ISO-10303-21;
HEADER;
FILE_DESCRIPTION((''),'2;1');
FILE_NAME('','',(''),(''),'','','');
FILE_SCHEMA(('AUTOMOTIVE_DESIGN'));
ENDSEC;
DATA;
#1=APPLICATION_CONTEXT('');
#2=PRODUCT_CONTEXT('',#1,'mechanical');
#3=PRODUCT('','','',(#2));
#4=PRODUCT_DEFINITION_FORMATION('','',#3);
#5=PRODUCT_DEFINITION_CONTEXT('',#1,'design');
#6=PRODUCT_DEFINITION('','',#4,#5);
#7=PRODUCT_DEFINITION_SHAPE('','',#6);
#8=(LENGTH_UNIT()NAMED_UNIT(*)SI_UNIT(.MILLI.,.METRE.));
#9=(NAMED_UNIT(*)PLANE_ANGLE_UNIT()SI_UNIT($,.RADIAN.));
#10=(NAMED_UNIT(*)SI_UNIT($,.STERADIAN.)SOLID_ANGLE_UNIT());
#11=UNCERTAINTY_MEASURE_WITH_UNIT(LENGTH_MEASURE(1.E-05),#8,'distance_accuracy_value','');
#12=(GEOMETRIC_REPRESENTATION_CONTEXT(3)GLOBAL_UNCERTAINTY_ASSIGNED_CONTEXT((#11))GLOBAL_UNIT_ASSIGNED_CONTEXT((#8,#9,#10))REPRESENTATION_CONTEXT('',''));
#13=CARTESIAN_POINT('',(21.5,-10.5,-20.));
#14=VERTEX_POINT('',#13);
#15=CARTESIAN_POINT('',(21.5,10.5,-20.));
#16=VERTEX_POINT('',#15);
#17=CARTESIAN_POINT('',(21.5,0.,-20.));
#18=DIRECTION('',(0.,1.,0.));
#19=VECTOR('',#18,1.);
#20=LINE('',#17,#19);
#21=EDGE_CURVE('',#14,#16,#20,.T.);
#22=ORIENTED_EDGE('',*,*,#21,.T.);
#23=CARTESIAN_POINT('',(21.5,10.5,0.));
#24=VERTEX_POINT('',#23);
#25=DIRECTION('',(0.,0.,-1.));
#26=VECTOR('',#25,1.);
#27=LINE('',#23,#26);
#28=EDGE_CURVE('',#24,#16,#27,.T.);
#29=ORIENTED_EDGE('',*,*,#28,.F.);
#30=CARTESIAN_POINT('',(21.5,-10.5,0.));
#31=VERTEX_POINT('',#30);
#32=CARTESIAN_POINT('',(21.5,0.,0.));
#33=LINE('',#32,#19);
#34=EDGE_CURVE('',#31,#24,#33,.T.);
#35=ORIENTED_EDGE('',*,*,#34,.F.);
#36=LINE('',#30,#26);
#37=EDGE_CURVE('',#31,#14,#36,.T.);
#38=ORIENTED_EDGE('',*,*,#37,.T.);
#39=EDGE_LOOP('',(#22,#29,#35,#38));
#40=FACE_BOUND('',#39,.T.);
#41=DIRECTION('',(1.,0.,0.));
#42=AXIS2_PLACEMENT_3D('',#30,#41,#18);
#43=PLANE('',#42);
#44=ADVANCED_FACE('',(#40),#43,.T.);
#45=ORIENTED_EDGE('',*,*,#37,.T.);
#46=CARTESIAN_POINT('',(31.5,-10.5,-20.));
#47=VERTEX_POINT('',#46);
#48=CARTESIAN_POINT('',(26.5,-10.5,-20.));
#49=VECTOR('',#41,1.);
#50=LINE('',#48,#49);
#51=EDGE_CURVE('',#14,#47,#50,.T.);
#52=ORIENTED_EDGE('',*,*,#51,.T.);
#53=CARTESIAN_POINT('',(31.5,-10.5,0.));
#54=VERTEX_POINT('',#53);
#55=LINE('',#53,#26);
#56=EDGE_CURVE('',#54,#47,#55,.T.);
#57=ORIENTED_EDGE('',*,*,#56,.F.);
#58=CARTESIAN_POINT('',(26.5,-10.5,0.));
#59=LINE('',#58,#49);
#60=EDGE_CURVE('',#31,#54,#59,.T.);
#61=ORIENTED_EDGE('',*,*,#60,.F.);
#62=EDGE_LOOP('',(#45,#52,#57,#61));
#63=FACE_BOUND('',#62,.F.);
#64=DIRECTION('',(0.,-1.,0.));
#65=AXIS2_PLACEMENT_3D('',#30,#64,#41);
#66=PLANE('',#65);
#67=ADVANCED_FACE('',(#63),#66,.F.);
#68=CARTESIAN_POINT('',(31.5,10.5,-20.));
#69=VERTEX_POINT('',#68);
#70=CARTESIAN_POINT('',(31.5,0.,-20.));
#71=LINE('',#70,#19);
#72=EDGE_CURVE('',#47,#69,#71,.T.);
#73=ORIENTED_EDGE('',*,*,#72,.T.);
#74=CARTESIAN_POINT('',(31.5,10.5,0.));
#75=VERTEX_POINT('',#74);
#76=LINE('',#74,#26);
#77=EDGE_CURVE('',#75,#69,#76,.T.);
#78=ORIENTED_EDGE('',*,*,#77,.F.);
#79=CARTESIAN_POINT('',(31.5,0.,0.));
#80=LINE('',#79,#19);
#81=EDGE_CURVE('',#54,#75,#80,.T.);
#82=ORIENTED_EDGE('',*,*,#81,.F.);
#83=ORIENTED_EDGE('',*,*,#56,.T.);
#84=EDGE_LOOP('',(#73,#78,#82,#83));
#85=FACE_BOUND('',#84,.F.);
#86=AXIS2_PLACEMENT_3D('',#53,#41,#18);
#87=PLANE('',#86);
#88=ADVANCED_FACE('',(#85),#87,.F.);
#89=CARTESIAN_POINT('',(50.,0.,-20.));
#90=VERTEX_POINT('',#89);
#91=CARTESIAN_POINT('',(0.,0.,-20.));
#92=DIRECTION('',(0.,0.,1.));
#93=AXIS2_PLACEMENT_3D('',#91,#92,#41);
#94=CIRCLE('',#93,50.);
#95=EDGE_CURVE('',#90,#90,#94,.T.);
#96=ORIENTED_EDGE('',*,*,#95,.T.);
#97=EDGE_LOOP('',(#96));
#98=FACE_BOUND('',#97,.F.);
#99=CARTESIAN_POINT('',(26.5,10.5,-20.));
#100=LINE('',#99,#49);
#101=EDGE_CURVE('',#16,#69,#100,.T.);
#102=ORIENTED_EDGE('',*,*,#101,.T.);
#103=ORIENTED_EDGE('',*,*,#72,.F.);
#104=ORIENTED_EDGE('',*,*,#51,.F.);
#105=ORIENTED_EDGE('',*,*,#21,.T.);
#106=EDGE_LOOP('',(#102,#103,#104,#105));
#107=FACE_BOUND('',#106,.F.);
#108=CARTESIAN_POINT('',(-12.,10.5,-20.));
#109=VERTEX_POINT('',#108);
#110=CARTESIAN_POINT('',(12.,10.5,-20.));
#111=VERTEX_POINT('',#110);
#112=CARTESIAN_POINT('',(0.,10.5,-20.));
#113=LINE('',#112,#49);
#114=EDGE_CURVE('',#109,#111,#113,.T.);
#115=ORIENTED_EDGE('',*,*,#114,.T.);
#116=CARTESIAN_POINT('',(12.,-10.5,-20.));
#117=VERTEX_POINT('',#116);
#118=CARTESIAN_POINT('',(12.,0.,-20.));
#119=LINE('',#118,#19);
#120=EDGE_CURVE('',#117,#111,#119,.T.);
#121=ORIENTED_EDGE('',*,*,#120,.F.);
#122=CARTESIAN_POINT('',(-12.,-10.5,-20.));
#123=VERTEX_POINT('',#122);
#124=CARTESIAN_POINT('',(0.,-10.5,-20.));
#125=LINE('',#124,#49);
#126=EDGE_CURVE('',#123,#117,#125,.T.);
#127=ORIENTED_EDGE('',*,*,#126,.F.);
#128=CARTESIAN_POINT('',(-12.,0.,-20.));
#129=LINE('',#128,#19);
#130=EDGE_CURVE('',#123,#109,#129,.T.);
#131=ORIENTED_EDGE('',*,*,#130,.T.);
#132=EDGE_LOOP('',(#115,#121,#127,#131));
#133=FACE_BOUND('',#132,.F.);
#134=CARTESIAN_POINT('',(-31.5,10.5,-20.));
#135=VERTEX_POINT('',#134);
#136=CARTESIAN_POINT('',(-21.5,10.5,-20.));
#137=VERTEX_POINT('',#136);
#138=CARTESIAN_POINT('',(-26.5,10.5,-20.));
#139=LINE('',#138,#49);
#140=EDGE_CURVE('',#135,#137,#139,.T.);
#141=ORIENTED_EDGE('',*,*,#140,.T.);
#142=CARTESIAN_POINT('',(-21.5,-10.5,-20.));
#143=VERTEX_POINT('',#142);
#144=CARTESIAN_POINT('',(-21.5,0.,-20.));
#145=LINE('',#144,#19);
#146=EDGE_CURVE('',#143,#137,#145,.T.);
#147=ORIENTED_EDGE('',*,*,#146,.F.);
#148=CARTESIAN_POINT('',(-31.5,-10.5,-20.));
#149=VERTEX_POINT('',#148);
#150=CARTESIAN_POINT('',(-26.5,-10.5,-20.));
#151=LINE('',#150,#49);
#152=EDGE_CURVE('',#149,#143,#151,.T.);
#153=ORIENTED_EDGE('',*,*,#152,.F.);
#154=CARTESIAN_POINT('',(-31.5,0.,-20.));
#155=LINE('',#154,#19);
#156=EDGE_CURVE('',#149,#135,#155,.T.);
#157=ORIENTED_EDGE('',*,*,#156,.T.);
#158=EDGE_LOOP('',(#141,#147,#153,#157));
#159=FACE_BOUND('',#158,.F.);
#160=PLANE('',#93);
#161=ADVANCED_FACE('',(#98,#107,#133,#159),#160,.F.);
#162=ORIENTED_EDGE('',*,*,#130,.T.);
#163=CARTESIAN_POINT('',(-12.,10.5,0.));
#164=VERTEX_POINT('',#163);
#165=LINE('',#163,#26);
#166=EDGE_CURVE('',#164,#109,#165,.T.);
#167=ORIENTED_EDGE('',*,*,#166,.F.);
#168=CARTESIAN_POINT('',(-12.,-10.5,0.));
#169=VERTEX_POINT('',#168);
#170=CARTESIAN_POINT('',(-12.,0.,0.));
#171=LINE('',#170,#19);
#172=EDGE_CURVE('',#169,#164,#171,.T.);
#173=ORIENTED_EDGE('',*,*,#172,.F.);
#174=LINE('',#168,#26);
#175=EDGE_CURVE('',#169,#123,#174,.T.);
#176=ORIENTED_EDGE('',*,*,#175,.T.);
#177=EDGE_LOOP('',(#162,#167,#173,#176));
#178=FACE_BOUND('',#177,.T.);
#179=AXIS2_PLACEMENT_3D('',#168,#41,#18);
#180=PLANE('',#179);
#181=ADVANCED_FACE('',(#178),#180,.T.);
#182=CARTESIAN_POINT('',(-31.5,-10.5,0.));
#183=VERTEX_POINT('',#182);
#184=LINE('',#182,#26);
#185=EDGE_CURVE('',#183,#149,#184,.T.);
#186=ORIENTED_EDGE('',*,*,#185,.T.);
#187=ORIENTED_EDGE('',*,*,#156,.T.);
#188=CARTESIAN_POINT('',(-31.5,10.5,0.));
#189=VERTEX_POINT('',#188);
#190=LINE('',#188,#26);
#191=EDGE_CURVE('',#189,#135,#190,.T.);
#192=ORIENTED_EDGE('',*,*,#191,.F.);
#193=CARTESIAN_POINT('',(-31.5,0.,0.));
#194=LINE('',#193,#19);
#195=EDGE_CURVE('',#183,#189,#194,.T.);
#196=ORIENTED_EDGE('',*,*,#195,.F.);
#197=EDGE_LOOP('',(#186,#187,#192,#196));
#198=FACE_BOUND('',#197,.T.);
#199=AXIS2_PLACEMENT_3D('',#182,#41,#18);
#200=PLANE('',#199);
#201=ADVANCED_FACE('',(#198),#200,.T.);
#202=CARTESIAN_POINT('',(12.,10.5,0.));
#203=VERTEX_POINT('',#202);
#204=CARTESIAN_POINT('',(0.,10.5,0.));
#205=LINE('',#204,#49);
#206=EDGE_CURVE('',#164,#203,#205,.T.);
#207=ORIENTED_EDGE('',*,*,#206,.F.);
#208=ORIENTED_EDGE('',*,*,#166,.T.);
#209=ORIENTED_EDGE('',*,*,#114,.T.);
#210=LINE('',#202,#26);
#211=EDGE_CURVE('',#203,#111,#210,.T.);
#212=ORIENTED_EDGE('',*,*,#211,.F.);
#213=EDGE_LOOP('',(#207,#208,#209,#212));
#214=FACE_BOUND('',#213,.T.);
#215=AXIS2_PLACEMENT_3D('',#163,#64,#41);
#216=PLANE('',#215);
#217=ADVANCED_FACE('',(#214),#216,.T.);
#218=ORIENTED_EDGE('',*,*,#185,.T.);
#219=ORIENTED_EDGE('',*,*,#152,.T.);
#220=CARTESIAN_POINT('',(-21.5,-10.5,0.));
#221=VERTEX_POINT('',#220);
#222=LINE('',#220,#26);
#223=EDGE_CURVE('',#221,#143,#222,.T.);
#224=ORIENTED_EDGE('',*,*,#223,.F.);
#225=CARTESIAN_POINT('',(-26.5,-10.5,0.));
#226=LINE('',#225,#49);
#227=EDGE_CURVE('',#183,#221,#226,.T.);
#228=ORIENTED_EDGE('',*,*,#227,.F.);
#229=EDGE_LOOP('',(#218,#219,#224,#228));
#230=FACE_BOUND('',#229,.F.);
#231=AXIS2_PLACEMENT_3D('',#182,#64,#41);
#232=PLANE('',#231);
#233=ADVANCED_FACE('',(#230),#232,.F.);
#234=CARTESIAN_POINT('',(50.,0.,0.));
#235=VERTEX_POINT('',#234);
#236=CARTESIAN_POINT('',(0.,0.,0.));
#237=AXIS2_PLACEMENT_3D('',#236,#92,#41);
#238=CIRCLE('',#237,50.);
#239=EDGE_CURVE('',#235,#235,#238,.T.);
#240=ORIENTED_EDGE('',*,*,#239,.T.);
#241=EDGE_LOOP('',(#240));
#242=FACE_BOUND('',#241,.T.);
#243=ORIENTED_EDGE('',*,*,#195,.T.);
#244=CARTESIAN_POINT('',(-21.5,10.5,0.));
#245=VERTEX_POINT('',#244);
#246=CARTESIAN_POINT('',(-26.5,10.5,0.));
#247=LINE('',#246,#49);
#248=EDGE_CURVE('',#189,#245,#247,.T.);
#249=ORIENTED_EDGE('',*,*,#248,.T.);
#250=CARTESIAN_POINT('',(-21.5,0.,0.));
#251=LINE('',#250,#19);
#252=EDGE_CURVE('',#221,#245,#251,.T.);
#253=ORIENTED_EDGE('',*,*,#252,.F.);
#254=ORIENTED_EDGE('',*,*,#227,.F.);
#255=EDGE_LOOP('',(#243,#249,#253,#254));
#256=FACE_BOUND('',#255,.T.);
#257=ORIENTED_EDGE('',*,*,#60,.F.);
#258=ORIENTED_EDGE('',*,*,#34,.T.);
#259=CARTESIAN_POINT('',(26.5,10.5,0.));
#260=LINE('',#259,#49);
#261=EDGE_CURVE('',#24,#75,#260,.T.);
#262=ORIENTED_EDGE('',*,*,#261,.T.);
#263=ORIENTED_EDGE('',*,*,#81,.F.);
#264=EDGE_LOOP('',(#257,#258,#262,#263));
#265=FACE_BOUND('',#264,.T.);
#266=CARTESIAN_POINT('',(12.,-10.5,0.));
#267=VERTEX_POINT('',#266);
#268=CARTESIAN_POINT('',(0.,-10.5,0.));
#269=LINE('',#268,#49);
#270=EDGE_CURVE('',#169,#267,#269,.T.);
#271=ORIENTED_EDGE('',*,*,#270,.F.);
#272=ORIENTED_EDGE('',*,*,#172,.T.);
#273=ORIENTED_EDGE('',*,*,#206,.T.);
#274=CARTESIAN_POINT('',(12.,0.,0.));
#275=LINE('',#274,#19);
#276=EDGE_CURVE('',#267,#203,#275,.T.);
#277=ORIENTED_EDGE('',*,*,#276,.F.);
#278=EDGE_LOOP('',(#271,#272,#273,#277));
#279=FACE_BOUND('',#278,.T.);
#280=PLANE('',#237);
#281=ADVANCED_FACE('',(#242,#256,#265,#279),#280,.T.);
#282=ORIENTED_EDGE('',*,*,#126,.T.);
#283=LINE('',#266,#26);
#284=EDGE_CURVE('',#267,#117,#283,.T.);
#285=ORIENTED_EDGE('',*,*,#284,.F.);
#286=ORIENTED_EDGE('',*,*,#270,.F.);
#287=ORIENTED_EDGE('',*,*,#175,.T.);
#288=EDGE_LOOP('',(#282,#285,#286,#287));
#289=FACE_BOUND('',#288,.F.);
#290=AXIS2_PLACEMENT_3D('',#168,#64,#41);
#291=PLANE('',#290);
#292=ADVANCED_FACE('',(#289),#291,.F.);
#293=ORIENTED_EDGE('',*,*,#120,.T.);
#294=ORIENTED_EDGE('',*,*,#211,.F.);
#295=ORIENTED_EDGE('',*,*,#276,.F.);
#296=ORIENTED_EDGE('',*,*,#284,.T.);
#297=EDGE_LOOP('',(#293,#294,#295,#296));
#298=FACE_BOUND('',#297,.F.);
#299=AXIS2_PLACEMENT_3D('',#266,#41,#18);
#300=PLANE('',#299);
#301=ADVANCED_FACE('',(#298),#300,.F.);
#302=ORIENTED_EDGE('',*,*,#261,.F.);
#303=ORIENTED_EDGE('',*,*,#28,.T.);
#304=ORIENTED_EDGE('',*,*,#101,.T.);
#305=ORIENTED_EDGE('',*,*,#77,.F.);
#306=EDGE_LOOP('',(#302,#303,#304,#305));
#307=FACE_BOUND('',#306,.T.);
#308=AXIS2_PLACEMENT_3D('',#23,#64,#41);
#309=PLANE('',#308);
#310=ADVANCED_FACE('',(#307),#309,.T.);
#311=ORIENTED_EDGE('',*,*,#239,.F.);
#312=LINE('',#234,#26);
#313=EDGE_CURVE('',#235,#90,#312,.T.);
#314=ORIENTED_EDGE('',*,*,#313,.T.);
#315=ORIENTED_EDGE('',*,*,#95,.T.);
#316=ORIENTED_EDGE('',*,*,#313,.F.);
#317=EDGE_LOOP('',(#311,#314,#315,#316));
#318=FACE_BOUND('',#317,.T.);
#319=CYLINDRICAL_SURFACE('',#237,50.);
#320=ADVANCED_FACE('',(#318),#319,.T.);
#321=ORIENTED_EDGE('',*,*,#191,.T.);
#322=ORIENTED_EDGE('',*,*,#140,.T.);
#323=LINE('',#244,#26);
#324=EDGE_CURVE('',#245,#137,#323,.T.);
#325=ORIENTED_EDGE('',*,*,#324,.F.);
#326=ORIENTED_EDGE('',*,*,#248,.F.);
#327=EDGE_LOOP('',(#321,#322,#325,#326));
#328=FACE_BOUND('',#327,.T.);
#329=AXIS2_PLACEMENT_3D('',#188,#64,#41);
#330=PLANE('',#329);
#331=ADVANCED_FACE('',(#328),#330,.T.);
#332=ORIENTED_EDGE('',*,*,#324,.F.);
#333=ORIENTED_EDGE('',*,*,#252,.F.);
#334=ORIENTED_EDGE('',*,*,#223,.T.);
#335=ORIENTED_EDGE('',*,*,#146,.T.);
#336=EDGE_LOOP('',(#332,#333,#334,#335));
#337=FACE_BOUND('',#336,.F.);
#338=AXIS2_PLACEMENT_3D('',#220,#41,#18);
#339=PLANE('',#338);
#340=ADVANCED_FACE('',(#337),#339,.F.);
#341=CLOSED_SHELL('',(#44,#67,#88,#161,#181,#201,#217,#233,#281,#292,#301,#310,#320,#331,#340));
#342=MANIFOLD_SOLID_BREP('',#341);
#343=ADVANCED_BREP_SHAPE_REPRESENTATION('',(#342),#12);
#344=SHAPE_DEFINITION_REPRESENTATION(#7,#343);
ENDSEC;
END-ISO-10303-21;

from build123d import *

# Parameters (mm, degrees)
F0_R     = 50
F0_W     = 10
F0_H     = 21
F0_W_2   = 24
F1_DEPTH = 20


with BuildPart() as f1:
    # F0 (on Top) → F1 (new body)
    with BuildSketch(Plane.XY):
        Circle(F0_R)
        with Locations((-26.5, 0)):
            Rectangle(F0_W, F0_H, mode=Mode.SUBTRACT)
        Rectangle(F0_W_2, F0_H, mode=Mode.SUBTRACT)
        with Locations((26.5, 0)):
            Rectangle(F0_W, F0_H, mode=Mode.SUBTRACT)
    extrude(amount=-F1_DEPTH)


solid = f1.part
